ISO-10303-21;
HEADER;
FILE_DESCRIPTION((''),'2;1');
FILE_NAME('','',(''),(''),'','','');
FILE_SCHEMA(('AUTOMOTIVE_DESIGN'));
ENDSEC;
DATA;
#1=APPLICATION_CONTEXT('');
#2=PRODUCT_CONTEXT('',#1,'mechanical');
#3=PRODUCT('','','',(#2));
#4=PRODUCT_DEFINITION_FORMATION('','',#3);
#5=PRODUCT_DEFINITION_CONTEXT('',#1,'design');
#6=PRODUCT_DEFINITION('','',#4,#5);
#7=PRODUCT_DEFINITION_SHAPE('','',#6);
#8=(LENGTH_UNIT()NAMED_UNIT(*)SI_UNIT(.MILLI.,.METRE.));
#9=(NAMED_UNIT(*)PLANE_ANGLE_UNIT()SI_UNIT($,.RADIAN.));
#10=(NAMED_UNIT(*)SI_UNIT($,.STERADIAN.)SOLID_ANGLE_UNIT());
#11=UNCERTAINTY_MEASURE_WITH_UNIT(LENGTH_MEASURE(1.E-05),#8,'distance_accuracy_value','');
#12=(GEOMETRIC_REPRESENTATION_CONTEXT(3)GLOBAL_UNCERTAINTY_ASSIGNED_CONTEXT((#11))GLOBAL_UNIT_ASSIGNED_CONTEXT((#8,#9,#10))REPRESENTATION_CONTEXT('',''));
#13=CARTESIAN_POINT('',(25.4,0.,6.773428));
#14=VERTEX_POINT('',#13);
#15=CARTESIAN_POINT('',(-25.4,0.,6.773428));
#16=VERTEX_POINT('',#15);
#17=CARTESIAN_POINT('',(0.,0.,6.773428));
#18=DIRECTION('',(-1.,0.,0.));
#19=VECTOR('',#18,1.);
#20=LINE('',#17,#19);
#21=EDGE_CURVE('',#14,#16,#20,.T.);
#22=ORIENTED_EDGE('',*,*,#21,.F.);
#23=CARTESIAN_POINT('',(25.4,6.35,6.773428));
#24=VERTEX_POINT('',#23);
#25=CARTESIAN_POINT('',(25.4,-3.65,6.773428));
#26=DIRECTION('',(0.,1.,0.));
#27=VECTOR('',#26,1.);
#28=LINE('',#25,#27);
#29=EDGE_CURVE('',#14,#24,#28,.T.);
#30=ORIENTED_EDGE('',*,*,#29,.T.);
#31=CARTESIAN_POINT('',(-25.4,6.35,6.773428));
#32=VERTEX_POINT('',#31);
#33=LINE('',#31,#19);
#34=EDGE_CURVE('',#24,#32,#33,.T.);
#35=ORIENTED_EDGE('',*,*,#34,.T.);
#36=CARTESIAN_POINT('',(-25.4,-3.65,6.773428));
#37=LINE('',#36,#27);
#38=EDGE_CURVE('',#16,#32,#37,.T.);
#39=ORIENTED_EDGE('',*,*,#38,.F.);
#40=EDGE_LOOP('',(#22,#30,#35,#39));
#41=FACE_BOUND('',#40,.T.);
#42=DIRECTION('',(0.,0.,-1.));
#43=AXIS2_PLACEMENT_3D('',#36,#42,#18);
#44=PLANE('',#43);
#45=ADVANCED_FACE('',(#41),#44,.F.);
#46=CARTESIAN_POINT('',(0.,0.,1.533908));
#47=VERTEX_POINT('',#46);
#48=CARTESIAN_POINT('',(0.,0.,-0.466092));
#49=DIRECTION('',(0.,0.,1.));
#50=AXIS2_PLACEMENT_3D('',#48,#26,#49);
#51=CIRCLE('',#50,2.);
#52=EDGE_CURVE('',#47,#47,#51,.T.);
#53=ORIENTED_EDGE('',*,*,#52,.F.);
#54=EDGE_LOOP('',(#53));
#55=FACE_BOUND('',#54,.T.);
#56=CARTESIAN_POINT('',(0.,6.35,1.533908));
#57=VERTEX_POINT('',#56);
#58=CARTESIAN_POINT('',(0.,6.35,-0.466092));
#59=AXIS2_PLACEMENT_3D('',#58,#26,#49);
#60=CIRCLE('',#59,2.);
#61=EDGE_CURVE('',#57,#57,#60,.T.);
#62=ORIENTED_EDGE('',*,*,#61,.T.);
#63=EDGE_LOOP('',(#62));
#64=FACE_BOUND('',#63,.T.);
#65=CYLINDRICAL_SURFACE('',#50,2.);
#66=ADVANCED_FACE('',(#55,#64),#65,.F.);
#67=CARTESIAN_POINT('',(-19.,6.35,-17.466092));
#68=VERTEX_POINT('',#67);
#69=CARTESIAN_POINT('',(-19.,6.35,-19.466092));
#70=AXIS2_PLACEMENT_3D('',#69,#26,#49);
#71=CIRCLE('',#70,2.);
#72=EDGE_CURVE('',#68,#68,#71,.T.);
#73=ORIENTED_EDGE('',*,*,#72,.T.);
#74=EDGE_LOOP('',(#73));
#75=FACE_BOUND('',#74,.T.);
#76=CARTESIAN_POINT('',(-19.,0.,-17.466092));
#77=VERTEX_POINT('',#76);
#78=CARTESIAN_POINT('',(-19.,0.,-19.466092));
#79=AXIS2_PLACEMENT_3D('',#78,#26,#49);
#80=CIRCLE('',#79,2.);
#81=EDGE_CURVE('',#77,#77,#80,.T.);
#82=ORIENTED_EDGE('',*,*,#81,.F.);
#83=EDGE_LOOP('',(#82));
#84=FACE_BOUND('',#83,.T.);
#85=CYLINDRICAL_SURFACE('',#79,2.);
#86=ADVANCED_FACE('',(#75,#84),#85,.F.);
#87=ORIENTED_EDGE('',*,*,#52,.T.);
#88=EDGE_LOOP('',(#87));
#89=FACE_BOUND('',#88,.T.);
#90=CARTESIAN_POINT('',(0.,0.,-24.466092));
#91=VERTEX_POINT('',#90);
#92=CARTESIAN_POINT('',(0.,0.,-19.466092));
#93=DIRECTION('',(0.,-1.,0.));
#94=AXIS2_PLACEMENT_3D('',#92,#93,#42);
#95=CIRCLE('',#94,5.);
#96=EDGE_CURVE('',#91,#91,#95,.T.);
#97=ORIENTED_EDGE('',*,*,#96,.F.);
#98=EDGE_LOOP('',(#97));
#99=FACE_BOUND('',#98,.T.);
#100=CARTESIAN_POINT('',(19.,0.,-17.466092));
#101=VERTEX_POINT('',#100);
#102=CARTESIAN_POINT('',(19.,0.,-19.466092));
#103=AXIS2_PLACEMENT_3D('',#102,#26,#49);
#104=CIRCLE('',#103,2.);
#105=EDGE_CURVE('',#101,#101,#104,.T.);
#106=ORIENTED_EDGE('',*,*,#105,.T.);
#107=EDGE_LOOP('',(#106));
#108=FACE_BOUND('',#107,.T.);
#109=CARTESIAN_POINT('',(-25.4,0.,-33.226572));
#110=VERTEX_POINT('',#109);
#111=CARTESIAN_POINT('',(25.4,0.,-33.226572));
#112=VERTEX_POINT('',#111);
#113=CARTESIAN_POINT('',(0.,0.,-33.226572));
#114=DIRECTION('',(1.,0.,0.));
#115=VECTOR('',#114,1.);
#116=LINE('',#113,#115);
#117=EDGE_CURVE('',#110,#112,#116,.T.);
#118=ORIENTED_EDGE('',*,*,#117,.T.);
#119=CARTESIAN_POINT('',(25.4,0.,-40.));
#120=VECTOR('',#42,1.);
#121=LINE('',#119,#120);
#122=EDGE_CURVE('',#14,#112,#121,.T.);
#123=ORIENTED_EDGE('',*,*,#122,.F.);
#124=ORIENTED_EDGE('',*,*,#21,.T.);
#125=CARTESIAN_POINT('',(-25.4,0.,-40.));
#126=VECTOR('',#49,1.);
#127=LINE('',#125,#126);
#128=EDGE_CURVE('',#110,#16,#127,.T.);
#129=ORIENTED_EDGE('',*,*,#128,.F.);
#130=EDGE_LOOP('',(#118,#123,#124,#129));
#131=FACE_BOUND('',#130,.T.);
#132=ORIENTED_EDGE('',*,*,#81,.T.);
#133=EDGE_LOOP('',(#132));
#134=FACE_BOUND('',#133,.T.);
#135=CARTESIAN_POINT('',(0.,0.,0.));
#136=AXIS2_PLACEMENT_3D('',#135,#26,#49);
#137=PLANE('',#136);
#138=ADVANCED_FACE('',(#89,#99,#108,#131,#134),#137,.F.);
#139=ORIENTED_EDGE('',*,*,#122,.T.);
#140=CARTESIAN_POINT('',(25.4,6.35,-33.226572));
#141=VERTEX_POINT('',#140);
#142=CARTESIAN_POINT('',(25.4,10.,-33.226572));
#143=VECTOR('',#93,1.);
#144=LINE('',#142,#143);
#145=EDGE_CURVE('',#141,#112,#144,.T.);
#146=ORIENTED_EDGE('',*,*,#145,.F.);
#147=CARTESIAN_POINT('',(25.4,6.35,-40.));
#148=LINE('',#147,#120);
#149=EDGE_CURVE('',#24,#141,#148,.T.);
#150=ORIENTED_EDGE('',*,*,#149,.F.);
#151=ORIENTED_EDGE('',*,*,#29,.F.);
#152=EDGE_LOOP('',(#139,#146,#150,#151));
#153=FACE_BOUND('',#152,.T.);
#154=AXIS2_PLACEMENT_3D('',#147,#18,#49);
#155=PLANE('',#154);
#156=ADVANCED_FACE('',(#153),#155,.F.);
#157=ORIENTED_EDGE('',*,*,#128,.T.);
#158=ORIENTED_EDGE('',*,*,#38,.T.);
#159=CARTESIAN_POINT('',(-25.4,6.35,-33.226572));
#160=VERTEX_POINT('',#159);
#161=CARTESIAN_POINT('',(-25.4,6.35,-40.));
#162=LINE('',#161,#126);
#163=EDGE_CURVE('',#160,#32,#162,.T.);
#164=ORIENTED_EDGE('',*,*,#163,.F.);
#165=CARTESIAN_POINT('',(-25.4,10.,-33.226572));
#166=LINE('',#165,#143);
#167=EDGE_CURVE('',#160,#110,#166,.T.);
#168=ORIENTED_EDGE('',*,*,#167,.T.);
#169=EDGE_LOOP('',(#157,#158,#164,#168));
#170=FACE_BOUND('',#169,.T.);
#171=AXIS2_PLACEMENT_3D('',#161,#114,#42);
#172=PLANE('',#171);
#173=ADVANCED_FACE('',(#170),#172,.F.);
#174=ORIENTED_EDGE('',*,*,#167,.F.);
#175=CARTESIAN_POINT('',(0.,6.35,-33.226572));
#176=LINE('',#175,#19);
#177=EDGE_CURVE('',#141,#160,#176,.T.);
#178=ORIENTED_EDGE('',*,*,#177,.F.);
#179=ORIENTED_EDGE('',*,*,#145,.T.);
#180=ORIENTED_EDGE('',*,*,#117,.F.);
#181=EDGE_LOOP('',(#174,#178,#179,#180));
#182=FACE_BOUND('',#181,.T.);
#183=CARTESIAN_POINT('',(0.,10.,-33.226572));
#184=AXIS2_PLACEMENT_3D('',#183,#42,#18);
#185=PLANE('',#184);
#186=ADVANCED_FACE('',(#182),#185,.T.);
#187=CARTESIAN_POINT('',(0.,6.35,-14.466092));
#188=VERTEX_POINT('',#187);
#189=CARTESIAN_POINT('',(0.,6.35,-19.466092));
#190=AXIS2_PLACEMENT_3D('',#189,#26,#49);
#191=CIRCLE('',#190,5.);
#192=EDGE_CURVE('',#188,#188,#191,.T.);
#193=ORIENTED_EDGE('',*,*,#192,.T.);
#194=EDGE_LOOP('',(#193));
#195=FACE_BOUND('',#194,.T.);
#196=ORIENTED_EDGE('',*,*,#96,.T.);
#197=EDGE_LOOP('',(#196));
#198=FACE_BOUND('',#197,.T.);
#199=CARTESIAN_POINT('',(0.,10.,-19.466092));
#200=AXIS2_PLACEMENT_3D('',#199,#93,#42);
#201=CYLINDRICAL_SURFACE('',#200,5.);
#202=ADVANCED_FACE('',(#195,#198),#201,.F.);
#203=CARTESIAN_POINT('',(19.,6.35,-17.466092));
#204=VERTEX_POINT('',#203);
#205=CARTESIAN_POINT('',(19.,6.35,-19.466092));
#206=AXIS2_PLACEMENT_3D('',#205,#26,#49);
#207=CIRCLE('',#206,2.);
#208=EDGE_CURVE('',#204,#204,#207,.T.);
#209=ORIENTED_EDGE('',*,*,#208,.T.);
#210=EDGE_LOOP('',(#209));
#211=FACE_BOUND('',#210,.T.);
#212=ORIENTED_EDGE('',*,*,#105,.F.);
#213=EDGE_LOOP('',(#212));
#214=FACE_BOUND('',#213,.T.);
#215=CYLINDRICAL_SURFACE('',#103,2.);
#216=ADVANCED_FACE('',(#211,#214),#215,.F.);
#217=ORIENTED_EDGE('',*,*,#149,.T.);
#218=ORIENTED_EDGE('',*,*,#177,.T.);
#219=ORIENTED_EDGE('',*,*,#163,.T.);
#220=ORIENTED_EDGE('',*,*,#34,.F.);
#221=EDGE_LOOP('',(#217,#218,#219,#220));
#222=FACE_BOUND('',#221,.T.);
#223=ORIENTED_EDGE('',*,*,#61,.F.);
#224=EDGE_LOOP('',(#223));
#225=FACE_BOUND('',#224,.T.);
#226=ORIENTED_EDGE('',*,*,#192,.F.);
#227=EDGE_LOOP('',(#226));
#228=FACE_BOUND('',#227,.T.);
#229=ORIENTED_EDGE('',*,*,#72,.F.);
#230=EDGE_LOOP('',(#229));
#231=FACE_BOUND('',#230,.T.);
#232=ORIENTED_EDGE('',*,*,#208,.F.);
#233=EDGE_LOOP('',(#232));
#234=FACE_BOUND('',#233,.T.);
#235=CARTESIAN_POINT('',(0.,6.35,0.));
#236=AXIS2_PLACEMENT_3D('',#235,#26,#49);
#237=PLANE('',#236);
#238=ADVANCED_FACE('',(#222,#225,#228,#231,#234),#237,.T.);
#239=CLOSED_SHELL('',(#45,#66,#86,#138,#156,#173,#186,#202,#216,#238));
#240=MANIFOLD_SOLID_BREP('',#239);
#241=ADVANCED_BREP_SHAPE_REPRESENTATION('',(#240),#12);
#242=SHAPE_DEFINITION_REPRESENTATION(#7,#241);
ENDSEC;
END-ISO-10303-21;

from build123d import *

# Parameters (mm, degrees)
CROQUIS1_W              = 50.8
CROQUIS1_H              = 80
SALIENTE_EXTRUIR1_DEPTH = 6.35
CROQUIS4_R              = 2
CORTAR_EXTRUIR3_DEPTH   = 48.806720239
CROQUIS5_W              = 50.8
CROQUIS5_H              = 12.7
CORTAR_EXTRUIR4_DEPTH   = 48.806720239
CROQUIS6_W              = 50.8
CROQUIS6_H              = 20.526572449
CORTAR_EXTRUIR5_DEPTH   = 10
CROQUIS7_W              = 50.8
CROQUIS7_H              = 6.773427551
CORTAR_EXTRUIR6_DEPTH   = 10
CROQUIS9_R              = 5
CORTAR_EXTRUIR7_DEPTH   = 10


with BuildPart() as part:
    # Croquis1 → Saliente-Extruir1 (new body)
    with BuildSketch(Plane(origin=(0, 0, 0), x_dir=(1, 0, 0), z_dir=(0, 1, 0))):
        Rectangle(CROQUIS1_W, CROQUIS1_H)
    extrude(amount=SALIENTE_EXTRUIR1_DEPTH)

    # Croquis4 → Cortar-Extruir3 (cut, through all)
    with BuildSketch(Plane(origin=(0, 6.35, 0), x_dir=(1, 0, 0), z_dir=(0, 1, 0))):
        with Locations(Location((-19, 19.466091849, 0), (0, 0, 270))):
            Circle(CROQUIS4_R)
        with Locations(Location((19, 19.466091849, 0), (0, 0, 270))):
            Circle(CROQUIS4_R)
        with Locations(Location((0, 0.466091849, 0), (0, 0, 270))):
            Circle(CROQUIS4_R)
    extrude(amount=-CORTAR_EXTRUIR3_DEPTH, mode=Mode.SUBTRACT)

    # Croquis5 → Cortar-Extruir4 (cut, through all)
    with BuildSketch(Plane(origin=(0, 6.35, 0), x_dir=(1, 0, 0), z_dir=(0, 1, 0))):
        with Locations((0, -33.65)):
            Rectangle(CROQUIS5_W, CROQUIS5_H)
    extrude(amount=-CORTAR_EXTRUIR4_DEPTH, mode=Mode.SUBTRACT)

    # Croquis6 → Cortar-Extruir5 (cut)
    with BuildSketch(Plane(origin=(0, 6.35, 0), x_dir=(1, 0, 0), z_dir=(0, 1, 0))):
        with Locations((0, -17.036713776)):
            Rectangle(CROQUIS6_W, CROQUIS6_H)
    extrude(amount=-CORTAR_EXTRUIR5_DEPTH, mode=Mode.SUBTRACT)

    # Croquis7 → Cortar-Extruir6 (cut)
    with BuildSketch(Plane.XZ):
        with Locations((0, -36.613286225)):
            Rectangle(CROQUIS7_W, CROQUIS7_H)
    extrude(amount=-CORTAR_EXTRUIR6_DEPTH, mode=Mode.SUBTRACT)

    # Croquis9 → Cortar-Extruir7 (cut)
    with BuildSketch(Plane.XZ):
        with Locations(Location((0, -19.466091849, 0), (0, 0, 270))):
            Circle(CROQUIS9_R)
    extrude(amount=-CORTAR_EXTRUIR7_DEPTH, mode=Mode.SUBTRACT)


solid = part.part
